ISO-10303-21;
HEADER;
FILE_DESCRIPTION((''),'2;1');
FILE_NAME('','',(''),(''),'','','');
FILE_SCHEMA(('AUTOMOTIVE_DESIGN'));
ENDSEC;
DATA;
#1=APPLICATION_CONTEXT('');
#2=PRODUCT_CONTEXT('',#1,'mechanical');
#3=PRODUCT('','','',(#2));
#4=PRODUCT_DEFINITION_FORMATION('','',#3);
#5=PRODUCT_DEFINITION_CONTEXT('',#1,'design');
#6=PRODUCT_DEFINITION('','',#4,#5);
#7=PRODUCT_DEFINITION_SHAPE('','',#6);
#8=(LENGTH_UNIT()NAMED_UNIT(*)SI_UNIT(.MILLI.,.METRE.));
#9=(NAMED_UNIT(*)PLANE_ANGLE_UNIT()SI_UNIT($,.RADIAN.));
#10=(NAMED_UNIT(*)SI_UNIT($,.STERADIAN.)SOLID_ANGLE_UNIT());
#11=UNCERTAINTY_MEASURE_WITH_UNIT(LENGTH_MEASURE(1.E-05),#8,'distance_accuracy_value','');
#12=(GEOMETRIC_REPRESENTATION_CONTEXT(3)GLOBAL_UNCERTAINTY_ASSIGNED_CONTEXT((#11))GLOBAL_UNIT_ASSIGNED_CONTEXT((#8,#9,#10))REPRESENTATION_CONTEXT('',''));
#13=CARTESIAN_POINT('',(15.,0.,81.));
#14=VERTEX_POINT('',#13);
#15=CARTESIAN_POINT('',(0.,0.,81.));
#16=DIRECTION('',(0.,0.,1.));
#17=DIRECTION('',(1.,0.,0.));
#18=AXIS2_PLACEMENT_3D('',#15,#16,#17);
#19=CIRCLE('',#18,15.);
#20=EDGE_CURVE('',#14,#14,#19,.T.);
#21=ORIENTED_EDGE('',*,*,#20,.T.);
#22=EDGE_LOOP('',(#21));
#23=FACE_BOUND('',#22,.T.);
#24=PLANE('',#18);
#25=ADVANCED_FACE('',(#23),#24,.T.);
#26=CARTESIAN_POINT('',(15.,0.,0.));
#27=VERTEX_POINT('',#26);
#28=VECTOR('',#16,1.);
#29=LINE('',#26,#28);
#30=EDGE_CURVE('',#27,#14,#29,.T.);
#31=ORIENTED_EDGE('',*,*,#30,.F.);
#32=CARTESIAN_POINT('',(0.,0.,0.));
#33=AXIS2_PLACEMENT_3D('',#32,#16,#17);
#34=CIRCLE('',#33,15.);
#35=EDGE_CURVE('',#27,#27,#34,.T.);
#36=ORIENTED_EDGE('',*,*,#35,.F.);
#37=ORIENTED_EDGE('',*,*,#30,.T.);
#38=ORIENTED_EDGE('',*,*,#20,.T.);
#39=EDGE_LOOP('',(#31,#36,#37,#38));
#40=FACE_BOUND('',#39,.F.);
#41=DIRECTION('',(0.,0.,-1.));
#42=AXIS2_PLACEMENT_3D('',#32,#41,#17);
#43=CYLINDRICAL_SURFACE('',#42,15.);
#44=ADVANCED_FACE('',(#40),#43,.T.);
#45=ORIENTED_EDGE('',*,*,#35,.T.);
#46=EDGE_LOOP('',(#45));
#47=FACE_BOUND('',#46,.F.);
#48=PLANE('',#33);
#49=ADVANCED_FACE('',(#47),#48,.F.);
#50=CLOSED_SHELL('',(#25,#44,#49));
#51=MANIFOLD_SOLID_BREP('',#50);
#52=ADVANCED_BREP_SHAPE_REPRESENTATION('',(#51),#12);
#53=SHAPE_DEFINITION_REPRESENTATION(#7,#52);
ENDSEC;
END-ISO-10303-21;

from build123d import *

# Parameters (mm, degrees)
SKETCH_R  = 15
PAD_DEPTH = 81


with BuildPart() as part:
    # Sketch → Pad (new body)
    with BuildSketch(Plane.XY):
        Circle(SKETCH_R)
    extrude(amount=PAD_DEPTH)


solid = part.part
